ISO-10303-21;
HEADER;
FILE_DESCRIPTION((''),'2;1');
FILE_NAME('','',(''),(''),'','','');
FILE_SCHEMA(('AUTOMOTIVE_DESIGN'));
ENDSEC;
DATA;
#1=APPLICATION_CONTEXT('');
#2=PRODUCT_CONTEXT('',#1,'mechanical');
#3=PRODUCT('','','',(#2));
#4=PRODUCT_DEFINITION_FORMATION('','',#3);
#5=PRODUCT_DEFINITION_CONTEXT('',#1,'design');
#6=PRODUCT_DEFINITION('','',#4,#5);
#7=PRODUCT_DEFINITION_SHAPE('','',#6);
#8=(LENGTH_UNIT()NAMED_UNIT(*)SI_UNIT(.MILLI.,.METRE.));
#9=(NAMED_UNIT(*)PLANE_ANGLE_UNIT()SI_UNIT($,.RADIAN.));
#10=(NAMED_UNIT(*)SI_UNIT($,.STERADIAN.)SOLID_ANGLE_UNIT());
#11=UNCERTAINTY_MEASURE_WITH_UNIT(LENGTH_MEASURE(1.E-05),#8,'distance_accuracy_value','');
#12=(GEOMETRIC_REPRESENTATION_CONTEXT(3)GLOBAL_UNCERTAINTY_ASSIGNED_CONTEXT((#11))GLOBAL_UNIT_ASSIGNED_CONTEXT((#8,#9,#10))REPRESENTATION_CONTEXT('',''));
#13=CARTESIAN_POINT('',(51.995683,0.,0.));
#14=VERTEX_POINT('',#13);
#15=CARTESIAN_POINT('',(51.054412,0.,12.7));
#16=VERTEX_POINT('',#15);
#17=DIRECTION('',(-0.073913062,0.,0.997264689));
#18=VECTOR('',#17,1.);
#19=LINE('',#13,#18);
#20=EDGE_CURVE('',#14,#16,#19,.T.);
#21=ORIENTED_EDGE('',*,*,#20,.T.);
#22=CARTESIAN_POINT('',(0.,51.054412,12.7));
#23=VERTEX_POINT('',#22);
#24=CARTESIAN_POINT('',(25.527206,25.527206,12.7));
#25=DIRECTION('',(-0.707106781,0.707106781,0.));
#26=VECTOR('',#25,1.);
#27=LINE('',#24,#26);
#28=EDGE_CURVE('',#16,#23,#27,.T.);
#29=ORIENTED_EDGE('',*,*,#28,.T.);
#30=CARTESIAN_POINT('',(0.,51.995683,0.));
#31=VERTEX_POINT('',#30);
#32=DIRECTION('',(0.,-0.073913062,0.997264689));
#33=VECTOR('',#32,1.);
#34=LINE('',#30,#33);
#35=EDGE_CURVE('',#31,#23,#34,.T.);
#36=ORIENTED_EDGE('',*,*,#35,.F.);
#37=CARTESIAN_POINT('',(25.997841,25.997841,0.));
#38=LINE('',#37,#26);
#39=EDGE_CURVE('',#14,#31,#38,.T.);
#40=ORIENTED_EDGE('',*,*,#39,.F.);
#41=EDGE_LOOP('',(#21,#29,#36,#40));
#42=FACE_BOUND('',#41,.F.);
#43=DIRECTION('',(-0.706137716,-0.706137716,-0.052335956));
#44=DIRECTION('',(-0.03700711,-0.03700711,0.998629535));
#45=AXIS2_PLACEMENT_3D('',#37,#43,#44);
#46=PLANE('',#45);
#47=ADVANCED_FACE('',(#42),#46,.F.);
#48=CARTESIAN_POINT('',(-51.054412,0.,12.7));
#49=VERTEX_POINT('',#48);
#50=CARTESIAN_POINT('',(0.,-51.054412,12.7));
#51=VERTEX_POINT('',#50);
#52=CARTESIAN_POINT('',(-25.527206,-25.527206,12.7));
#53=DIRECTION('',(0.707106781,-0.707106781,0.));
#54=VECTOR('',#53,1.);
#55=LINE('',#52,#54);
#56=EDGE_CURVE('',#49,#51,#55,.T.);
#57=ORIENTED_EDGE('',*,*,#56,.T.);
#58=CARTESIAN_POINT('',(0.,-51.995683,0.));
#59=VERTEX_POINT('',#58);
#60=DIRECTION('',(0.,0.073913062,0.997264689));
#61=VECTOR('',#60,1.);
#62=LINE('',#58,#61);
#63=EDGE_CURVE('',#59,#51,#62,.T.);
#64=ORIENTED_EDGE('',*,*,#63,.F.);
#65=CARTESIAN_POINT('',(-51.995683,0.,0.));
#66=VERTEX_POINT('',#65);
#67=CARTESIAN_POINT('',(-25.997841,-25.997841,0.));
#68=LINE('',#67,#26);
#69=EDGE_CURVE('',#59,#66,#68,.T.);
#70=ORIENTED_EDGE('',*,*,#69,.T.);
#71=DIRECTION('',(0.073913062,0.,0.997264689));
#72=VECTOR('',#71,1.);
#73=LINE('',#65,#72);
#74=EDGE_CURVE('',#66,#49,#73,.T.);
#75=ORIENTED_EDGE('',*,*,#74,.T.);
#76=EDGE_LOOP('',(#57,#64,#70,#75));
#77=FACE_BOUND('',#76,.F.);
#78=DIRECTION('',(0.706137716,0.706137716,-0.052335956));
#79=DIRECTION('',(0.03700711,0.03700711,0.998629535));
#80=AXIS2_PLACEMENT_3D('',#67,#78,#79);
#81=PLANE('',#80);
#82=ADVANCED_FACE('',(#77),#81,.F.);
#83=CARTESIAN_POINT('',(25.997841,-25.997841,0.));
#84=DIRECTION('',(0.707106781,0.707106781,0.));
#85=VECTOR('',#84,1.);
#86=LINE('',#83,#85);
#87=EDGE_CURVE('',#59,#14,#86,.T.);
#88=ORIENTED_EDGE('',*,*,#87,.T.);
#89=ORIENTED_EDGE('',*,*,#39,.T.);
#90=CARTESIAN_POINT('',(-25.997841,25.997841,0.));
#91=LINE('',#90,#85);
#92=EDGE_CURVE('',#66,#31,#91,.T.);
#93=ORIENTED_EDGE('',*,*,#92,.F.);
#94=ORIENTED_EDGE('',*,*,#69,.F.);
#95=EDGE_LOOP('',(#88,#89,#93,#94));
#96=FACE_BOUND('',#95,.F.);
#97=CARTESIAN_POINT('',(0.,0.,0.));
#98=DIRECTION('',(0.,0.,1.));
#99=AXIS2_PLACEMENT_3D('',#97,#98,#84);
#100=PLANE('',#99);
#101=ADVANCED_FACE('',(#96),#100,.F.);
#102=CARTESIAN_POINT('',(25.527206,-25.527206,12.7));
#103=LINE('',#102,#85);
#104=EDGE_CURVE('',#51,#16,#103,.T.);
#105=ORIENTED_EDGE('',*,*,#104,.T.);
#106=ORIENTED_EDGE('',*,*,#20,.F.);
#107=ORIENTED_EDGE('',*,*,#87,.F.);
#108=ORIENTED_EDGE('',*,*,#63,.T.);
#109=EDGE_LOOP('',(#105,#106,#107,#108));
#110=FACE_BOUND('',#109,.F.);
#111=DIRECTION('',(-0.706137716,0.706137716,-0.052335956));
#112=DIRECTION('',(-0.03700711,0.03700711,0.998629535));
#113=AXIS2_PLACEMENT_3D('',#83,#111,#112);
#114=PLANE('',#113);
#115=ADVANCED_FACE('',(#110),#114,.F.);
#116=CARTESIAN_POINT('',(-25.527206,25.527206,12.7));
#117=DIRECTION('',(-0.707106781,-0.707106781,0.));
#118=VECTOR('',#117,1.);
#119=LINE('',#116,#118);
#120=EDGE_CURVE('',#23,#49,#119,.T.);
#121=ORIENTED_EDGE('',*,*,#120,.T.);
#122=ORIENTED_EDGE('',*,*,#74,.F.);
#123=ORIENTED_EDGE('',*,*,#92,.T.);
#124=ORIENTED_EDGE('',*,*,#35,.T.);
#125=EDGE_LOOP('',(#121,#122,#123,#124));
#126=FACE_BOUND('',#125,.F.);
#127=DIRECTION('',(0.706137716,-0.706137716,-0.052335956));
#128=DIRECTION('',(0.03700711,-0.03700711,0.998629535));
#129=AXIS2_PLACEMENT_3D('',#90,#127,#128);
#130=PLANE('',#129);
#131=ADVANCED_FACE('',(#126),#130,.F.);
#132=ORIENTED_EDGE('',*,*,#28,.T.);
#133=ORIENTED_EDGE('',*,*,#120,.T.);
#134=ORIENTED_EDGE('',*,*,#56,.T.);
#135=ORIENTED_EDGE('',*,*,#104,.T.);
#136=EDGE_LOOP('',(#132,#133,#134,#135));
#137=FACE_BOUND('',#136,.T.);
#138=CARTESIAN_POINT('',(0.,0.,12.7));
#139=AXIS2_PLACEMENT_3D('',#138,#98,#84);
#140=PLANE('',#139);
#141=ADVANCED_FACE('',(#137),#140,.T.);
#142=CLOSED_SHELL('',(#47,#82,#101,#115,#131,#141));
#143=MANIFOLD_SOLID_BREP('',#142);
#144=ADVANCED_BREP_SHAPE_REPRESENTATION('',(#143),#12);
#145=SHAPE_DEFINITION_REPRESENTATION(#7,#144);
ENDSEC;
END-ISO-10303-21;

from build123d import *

# Parameters (mm, degrees)
F0_W     = 73.533
F0_H     = 73.533
F1_DEPTH = 12.7
F1_TAPER = 3
F3_ANGLE = 45


with BuildPart() as f1:
    # F0 (on Top) → F1 (new body)
    with BuildSketch(Plane.XY):
        Rectangle(F0_W, F0_H)
    extrude(amount=F1_DEPTH, taper=F1_TAPER)


with BuildPart() as f1_1:
    # F3: moved
    add(f1.part.rotate(Axis((0, 0, 36.8069037795), (0, 0, 1)), F3_ANGLE))


solid = f1_1.part
